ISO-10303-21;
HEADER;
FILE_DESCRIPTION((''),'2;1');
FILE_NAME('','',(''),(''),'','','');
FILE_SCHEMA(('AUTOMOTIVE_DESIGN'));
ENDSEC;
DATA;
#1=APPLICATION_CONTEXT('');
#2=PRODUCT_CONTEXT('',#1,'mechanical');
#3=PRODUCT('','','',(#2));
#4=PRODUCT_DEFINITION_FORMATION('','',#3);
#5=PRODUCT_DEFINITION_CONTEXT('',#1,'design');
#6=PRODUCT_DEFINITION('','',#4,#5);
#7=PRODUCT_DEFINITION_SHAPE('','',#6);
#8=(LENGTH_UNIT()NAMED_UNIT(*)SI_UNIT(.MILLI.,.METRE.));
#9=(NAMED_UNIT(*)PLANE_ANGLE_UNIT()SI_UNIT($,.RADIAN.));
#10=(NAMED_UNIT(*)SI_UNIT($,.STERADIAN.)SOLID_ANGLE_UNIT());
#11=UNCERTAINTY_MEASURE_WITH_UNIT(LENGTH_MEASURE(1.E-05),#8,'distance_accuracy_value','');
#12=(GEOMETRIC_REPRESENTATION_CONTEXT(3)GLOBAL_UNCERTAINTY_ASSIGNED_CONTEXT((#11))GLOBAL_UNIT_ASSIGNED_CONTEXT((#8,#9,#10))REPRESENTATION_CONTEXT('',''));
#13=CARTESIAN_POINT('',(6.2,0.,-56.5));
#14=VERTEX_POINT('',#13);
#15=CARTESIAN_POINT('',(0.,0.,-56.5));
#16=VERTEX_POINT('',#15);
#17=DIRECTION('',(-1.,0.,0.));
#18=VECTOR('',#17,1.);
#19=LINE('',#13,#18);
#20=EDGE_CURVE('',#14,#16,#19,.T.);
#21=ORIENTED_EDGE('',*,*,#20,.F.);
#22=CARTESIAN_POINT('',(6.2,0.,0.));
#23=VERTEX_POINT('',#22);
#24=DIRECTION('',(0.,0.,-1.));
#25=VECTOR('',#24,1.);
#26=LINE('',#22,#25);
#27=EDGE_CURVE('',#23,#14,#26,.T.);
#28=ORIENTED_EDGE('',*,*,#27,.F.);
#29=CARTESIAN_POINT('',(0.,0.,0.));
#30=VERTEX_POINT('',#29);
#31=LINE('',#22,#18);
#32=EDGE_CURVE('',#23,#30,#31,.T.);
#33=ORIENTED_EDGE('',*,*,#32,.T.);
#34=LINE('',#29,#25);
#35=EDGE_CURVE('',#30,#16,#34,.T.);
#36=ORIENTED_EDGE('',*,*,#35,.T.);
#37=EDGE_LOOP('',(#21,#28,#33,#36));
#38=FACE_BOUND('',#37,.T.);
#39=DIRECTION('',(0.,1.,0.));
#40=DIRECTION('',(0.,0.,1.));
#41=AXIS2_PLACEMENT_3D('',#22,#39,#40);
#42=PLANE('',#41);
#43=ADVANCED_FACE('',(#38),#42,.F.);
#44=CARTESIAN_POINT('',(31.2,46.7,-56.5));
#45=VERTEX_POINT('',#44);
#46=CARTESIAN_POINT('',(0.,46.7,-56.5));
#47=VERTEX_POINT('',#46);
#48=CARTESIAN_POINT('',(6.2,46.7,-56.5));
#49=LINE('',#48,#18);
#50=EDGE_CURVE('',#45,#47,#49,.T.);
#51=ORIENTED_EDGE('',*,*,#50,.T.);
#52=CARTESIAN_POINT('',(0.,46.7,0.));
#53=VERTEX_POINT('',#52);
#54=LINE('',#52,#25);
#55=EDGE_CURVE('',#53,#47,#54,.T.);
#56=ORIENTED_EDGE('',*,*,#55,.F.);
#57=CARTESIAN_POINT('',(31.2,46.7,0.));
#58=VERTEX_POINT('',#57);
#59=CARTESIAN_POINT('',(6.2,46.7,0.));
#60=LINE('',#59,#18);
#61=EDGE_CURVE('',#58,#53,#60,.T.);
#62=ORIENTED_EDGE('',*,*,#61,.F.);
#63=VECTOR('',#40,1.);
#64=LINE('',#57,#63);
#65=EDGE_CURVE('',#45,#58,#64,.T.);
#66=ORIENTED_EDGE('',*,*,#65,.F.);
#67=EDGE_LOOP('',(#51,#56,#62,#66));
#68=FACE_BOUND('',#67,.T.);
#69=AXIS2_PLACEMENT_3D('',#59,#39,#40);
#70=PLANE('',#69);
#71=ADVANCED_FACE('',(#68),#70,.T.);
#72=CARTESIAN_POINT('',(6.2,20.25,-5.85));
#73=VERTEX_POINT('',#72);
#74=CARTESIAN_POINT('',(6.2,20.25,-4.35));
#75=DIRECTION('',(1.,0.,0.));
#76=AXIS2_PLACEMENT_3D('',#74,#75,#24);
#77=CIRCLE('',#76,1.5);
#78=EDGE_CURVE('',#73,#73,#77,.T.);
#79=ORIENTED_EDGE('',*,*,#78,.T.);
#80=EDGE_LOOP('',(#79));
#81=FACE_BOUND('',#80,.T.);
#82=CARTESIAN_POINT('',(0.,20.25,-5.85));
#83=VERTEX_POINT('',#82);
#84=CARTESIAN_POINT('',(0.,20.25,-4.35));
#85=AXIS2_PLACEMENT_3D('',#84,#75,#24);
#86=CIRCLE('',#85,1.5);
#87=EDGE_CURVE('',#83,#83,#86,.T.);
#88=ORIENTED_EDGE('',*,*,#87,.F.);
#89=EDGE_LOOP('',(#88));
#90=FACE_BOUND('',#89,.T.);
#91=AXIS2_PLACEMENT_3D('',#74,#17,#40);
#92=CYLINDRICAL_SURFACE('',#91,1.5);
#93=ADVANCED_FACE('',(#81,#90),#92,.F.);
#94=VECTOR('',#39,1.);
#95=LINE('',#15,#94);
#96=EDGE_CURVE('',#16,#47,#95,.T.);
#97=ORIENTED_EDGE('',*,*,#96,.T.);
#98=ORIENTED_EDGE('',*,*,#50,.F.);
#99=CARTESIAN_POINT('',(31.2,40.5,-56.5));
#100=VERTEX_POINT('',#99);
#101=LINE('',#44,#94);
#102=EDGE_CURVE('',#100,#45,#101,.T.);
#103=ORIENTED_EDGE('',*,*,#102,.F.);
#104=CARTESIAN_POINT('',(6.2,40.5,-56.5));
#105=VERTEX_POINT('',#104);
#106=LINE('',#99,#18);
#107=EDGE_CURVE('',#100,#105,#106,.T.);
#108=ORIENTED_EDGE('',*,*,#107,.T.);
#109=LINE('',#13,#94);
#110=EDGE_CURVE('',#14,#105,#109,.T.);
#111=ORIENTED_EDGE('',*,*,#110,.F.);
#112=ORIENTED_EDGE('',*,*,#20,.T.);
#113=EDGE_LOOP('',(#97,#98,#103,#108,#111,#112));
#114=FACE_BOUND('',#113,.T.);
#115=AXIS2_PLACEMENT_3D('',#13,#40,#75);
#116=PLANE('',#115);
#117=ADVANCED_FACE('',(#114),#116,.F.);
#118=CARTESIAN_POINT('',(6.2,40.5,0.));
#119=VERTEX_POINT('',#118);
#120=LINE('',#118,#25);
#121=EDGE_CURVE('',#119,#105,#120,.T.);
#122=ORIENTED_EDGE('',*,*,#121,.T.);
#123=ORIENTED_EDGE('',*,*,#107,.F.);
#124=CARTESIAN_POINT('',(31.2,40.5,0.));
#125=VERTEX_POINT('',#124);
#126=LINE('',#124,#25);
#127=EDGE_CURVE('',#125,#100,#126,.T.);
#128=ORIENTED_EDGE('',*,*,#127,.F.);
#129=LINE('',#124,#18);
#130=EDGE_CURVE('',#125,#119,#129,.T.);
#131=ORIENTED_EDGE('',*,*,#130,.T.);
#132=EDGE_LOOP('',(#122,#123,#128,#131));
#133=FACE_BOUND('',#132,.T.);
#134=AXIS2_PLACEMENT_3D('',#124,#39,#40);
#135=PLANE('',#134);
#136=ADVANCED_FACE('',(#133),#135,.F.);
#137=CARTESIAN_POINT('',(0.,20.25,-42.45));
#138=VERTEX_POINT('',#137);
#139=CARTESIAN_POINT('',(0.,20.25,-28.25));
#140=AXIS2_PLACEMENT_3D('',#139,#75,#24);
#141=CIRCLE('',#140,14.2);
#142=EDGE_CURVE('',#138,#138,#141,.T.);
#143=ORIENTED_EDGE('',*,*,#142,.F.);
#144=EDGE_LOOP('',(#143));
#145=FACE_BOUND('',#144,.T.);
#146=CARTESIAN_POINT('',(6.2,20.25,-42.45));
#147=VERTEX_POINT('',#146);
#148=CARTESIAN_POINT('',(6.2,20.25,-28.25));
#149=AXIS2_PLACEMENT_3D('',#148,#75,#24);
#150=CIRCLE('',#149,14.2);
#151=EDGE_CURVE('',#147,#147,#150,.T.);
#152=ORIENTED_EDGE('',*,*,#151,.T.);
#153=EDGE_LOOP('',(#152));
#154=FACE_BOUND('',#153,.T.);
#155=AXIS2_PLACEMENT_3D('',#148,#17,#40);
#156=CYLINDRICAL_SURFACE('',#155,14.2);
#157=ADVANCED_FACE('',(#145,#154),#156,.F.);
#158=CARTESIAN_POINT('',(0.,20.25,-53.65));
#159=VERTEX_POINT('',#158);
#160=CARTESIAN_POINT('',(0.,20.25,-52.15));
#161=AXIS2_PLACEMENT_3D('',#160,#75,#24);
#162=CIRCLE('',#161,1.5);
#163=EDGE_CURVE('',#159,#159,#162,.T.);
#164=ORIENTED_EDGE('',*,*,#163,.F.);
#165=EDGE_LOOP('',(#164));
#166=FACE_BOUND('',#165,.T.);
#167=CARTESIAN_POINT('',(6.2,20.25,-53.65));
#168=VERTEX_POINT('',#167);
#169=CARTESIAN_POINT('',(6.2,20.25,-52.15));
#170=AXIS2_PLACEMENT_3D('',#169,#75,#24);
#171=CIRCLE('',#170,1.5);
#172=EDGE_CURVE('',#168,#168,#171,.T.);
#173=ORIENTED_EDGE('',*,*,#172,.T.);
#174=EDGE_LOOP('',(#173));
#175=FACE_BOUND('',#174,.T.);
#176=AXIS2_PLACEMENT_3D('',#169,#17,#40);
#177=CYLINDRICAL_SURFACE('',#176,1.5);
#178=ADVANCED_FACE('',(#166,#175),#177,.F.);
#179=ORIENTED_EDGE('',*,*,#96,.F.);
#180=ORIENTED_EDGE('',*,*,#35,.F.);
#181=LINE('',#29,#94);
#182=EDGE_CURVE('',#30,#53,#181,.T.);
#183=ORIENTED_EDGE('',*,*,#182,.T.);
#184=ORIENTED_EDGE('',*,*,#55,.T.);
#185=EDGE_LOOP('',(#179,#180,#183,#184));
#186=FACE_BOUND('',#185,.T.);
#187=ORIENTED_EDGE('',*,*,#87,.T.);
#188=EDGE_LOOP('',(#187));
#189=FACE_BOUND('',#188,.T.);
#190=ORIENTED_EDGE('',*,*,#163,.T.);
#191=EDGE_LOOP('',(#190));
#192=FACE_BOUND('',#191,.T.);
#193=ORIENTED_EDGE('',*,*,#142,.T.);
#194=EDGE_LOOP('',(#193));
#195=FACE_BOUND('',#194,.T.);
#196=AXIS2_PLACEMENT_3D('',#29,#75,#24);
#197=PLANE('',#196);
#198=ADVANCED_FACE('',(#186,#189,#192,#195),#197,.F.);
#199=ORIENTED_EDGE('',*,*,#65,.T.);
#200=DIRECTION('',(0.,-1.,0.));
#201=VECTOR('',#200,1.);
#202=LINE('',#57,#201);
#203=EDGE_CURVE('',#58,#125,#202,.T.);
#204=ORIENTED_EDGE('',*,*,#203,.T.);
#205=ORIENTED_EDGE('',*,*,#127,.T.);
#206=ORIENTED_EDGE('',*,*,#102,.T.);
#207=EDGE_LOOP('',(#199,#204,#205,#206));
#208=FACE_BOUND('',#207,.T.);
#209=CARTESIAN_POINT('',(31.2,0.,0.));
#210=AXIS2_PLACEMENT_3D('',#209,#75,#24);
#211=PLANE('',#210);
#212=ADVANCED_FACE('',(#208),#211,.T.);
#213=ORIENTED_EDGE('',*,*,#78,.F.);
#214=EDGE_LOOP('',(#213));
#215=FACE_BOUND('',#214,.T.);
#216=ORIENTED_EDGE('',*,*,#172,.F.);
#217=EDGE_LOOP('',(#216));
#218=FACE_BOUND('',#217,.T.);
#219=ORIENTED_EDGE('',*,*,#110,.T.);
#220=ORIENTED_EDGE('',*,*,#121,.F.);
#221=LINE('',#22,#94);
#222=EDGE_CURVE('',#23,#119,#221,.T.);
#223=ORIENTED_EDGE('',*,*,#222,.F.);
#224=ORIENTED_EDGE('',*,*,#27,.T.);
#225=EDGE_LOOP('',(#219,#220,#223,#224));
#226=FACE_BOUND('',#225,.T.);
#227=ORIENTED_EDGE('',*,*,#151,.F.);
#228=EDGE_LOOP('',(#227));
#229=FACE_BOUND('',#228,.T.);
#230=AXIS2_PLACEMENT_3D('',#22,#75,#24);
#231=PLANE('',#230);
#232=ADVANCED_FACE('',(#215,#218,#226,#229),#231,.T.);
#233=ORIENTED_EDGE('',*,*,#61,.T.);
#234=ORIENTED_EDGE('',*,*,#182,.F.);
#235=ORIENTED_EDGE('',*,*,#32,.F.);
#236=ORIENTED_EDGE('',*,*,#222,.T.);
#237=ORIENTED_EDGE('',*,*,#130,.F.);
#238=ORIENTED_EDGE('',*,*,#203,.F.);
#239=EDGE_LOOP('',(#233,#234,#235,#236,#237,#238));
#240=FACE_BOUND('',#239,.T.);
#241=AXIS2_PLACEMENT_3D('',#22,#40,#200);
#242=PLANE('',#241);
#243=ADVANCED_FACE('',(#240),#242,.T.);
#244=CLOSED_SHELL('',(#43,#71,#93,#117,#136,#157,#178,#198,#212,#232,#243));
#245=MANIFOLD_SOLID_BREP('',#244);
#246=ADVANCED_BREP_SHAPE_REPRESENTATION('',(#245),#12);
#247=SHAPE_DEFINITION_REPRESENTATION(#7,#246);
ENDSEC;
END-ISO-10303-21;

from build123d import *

# Parameters (mm, degrees)
SKETCH3_W           = 56.5
SKETCH3_H           = 46.7
SKETCH3_R           = 14.2
SKETCH3_R_2         = 1.5
BOSS_EXTRUDE1_DEPTH = 6.2
SKETCH4_W           = 56.5
SKETCH4_H           = 6.2
BOSS_EXTRUDE2_DEPTH = 25


with BuildPart() as part:
    # Sketch3 → Boss-Extrude1 (new body)
    with BuildSketch(Plane(origin=(0, 0, 0), x_dir=(0, 0, -1), z_dir=(1, 0, 0))):
        with Locations((28.25, 23.35)):
            Rectangle(SKETCH3_W, SKETCH3_H)
        with Locations((28.25, 20.25)):
            Circle(SKETCH3_R, mode=Mode.SUBTRACT)
        with Locations((4.35, 20.25)):
            Circle(SKETCH3_R_2, mode=Mode.SUBTRACT)
        with Locations((52.15, 20.25)):
            Circle(SKETCH3_R_2, mode=Mode.SUBTRACT)
    extrude(amount=BOSS_EXTRUDE1_DEPTH)

    # Sketch4 → Boss-Extrude2 (add)
    with BuildSketch(Plane(origin=(6.2, 0, 0), x_dir=(0, 0, -1), z_dir=(1, 0, 0))):
        with Locations((28.25, 43.6)):
            Rectangle(SKETCH4_W, SKETCH4_H)
    extrude(amount=BOSS_EXTRUDE2_DEPTH)


solid = part.part
